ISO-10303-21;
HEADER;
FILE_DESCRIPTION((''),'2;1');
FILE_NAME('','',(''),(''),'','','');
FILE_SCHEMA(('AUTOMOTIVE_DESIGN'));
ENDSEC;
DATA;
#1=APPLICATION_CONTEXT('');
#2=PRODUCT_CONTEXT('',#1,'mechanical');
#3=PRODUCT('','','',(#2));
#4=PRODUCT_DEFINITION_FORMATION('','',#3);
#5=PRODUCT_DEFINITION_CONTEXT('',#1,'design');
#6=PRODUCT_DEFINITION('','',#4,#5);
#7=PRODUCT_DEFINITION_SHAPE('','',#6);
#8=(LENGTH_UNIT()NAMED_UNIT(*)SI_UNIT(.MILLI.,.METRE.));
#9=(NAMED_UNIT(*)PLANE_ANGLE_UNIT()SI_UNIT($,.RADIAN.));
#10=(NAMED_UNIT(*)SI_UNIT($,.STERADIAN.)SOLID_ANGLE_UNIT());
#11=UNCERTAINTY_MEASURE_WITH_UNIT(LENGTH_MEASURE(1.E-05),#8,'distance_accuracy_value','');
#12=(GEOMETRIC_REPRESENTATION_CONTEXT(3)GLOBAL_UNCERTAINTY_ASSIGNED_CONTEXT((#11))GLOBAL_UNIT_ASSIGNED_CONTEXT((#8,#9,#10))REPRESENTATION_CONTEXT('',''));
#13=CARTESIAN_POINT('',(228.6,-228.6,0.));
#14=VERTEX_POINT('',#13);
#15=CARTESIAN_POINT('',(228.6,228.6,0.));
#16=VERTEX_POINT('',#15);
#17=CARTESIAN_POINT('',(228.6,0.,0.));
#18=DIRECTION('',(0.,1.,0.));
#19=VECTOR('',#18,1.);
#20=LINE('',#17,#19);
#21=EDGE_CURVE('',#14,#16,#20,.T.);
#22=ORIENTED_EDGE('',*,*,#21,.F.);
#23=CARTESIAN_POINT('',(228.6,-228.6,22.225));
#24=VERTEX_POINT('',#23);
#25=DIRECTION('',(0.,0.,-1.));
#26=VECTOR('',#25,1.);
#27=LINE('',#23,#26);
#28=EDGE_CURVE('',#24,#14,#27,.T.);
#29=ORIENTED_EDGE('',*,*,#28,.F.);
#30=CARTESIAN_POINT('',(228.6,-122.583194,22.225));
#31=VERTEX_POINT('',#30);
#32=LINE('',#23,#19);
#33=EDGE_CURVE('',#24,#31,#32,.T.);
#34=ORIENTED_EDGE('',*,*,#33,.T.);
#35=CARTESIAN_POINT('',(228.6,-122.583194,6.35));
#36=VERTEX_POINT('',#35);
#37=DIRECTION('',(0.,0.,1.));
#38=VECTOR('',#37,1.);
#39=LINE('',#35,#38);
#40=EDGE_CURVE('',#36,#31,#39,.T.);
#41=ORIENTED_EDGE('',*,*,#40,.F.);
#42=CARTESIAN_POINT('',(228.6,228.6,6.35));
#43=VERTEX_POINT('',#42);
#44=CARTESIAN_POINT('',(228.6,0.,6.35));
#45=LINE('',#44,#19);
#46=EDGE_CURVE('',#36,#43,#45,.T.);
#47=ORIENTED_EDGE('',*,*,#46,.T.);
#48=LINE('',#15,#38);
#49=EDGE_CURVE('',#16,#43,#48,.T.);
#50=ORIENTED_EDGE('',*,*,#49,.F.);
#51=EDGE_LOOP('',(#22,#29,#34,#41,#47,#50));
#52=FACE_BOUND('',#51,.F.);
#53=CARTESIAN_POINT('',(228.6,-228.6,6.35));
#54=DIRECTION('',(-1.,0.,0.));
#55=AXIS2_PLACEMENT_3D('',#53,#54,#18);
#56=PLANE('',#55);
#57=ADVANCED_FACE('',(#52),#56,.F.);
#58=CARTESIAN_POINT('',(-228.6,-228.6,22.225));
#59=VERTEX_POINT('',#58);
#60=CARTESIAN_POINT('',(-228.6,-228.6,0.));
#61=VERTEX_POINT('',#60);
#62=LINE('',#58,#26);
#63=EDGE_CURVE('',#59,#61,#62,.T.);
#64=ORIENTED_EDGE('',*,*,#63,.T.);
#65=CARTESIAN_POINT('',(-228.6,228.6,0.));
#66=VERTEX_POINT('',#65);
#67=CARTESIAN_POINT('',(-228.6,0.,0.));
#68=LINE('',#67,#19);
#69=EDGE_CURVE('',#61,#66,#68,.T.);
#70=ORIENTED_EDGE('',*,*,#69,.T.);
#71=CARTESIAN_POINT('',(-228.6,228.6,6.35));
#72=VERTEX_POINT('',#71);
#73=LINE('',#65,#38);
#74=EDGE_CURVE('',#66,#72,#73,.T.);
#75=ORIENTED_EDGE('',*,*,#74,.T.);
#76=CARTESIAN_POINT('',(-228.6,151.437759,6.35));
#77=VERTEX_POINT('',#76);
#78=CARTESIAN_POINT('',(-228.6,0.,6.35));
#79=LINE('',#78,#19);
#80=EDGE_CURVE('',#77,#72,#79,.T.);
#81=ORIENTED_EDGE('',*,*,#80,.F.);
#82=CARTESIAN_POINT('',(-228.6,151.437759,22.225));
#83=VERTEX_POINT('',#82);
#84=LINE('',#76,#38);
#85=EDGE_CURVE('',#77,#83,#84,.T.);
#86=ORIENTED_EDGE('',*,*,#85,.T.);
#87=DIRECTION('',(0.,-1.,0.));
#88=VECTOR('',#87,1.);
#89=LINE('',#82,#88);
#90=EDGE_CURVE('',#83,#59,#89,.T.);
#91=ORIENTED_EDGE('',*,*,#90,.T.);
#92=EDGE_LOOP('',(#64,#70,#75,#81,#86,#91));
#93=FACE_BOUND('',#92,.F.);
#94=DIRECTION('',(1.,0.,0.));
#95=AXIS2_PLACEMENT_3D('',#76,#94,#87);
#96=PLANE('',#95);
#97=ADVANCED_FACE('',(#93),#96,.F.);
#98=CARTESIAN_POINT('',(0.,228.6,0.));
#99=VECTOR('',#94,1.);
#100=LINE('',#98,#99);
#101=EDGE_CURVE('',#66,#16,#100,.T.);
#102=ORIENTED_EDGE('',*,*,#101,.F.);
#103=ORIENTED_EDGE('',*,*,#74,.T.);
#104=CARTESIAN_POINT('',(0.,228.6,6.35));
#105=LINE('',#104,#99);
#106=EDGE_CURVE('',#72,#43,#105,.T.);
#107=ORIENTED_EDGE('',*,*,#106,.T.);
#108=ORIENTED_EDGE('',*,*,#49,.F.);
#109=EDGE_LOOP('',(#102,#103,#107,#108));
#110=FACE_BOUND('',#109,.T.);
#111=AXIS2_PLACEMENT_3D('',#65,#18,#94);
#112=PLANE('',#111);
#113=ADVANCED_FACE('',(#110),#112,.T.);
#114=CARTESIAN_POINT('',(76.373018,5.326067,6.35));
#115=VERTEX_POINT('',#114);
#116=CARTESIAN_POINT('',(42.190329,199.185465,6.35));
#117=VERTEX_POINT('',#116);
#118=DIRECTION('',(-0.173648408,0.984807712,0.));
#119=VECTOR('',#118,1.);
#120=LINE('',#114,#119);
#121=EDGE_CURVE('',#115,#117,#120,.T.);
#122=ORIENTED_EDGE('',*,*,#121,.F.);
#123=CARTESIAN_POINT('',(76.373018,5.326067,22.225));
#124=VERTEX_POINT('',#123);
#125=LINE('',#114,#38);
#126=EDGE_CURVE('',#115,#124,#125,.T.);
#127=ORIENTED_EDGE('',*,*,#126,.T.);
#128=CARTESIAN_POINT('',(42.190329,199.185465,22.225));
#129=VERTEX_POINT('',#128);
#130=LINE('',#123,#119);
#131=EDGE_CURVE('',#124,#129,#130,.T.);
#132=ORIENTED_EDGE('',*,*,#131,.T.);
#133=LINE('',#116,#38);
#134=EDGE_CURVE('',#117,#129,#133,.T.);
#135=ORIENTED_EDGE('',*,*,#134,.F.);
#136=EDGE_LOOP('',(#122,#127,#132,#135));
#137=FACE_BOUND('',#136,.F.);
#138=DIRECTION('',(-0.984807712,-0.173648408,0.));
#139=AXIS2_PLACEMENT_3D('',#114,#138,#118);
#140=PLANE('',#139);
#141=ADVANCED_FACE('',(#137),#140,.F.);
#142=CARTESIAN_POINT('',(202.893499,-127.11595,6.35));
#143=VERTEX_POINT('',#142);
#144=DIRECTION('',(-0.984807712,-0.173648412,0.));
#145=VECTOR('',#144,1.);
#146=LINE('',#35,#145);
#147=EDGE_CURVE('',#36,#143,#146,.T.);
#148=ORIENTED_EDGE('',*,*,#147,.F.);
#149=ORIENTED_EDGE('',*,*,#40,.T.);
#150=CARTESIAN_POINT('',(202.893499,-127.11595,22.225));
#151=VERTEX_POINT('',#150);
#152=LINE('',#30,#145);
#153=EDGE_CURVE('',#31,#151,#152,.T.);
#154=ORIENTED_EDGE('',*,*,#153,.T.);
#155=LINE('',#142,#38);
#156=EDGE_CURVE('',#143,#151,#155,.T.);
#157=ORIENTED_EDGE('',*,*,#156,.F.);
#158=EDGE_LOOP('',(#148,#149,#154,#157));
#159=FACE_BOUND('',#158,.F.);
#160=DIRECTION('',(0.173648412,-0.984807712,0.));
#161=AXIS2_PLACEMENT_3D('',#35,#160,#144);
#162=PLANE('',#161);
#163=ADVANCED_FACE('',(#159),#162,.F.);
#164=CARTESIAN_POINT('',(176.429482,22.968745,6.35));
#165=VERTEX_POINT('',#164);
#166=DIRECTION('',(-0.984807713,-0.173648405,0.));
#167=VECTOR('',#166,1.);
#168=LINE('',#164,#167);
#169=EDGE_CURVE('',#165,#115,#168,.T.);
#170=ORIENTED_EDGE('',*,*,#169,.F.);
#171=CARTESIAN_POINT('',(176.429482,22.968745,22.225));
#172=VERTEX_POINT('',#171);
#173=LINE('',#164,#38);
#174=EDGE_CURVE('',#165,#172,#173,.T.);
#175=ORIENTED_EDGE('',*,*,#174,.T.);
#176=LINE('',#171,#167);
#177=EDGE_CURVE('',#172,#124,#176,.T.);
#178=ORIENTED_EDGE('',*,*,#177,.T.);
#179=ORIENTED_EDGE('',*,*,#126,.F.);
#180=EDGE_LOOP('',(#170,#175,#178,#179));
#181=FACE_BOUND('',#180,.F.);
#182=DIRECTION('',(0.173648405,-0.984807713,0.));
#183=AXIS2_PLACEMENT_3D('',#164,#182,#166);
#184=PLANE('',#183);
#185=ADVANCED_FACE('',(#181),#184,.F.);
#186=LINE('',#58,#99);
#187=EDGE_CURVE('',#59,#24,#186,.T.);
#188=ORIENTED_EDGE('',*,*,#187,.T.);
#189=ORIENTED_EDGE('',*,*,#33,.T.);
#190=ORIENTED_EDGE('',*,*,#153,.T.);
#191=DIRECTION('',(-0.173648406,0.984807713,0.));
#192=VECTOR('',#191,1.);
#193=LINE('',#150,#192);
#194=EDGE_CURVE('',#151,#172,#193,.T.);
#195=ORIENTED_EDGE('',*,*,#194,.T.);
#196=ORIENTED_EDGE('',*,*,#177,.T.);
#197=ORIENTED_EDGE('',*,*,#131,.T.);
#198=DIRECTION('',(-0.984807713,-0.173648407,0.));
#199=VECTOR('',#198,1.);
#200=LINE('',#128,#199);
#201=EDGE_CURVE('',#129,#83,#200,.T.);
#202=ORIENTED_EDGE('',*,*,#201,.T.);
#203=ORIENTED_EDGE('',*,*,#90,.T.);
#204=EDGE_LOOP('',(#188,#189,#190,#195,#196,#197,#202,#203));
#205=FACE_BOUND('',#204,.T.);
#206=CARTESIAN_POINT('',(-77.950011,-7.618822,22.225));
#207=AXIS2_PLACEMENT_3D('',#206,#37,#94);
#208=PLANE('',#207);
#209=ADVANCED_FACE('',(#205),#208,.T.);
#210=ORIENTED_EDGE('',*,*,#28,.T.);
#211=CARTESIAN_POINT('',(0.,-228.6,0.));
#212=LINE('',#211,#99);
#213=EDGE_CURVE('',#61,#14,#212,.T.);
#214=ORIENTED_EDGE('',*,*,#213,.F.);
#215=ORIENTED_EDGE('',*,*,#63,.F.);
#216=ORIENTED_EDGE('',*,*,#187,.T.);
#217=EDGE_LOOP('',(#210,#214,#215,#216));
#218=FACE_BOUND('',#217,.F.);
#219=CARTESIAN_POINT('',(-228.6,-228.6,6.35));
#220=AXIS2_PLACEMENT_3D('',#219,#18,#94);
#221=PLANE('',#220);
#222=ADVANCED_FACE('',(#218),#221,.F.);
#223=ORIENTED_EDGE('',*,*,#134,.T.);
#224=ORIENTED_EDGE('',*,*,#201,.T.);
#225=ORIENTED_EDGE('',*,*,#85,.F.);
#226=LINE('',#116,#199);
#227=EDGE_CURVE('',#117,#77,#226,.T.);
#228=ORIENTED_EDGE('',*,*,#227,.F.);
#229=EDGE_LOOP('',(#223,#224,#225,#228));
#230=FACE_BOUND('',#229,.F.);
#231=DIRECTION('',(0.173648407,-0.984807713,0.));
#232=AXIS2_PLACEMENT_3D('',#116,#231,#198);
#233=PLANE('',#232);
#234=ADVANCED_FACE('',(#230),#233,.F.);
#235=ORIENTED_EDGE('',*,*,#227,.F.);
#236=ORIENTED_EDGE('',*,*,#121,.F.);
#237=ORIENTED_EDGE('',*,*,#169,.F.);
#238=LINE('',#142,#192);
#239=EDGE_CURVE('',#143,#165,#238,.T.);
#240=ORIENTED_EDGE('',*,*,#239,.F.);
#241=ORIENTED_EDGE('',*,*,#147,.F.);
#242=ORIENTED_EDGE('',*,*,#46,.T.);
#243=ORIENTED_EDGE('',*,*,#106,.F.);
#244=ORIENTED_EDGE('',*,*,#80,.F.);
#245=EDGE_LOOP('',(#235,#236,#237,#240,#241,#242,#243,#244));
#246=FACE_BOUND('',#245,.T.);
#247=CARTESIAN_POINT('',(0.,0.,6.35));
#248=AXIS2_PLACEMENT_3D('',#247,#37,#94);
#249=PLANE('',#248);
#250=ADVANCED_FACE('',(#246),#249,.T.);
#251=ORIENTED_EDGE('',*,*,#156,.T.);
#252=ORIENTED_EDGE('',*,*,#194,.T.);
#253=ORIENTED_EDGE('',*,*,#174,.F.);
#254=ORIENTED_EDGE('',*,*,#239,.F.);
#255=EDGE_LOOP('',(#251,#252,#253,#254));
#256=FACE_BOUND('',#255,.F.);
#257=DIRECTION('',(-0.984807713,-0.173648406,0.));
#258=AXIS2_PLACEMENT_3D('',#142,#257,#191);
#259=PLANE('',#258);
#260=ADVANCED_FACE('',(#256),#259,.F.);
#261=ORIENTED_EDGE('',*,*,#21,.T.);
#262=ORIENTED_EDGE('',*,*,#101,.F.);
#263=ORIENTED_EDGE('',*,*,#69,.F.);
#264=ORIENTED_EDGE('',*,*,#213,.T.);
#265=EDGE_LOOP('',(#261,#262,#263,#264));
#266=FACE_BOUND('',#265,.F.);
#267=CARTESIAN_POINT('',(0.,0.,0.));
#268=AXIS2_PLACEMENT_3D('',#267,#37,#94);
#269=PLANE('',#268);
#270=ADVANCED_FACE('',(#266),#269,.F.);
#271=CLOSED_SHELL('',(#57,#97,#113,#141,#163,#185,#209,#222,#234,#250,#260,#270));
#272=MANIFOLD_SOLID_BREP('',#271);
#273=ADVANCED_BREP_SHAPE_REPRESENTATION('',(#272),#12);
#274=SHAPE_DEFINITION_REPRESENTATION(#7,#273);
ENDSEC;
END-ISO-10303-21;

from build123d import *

# Parameters (mm, degrees)
F0_W     = 457.2
F0_H     = 457.2
F1_DEPTH = 6.35
F3_DEPTH = 15.875
F5_DEPTH = 15.875
F7_DEPTH = 15.875


with BuildPart() as f1:
    # F0 (on Top) → F1 (new body)
    with BuildSketch(Plane.XY):
        Rectangle(F0_W, F0_H)
    extrude(amount=F1_DEPTH)

    # F2 (on face) → F3 (join)
    with BuildSketch(Plane.XY.offset(6.35)):
        Polygon((76.373018, 5.326067), (102.837036, -144.758628), (202.893499, -127.11595), (176.429482, 22.968745), align=None)
    extrude(amount=F3_DEPTH)

    # F4 (on face) → F5 (join)
    with BuildSketch(Plane.XY.offset(6.35)):
        Polygon((228.6, -122.583194), (202.893499, -127.11595), (102.837036, -144.758628), (-228.6, -203.2), (-228.6, -228.6), (228.6, -228.6), align=None)
    extrude(amount=F5_DEPTH)

    # F6 (on face) → F7 (join)
    with BuildSketch(Plane.XY.offset(6.35)):
        Polygon((-228.6, -203.2), (102.837036, -144.758628), (76.373018, 5.326067), (42.190329, 199.185465), (-228.6, 151.437759), align=None)
    extrude(amount=F7_DEPTH)


solid = f1.part
